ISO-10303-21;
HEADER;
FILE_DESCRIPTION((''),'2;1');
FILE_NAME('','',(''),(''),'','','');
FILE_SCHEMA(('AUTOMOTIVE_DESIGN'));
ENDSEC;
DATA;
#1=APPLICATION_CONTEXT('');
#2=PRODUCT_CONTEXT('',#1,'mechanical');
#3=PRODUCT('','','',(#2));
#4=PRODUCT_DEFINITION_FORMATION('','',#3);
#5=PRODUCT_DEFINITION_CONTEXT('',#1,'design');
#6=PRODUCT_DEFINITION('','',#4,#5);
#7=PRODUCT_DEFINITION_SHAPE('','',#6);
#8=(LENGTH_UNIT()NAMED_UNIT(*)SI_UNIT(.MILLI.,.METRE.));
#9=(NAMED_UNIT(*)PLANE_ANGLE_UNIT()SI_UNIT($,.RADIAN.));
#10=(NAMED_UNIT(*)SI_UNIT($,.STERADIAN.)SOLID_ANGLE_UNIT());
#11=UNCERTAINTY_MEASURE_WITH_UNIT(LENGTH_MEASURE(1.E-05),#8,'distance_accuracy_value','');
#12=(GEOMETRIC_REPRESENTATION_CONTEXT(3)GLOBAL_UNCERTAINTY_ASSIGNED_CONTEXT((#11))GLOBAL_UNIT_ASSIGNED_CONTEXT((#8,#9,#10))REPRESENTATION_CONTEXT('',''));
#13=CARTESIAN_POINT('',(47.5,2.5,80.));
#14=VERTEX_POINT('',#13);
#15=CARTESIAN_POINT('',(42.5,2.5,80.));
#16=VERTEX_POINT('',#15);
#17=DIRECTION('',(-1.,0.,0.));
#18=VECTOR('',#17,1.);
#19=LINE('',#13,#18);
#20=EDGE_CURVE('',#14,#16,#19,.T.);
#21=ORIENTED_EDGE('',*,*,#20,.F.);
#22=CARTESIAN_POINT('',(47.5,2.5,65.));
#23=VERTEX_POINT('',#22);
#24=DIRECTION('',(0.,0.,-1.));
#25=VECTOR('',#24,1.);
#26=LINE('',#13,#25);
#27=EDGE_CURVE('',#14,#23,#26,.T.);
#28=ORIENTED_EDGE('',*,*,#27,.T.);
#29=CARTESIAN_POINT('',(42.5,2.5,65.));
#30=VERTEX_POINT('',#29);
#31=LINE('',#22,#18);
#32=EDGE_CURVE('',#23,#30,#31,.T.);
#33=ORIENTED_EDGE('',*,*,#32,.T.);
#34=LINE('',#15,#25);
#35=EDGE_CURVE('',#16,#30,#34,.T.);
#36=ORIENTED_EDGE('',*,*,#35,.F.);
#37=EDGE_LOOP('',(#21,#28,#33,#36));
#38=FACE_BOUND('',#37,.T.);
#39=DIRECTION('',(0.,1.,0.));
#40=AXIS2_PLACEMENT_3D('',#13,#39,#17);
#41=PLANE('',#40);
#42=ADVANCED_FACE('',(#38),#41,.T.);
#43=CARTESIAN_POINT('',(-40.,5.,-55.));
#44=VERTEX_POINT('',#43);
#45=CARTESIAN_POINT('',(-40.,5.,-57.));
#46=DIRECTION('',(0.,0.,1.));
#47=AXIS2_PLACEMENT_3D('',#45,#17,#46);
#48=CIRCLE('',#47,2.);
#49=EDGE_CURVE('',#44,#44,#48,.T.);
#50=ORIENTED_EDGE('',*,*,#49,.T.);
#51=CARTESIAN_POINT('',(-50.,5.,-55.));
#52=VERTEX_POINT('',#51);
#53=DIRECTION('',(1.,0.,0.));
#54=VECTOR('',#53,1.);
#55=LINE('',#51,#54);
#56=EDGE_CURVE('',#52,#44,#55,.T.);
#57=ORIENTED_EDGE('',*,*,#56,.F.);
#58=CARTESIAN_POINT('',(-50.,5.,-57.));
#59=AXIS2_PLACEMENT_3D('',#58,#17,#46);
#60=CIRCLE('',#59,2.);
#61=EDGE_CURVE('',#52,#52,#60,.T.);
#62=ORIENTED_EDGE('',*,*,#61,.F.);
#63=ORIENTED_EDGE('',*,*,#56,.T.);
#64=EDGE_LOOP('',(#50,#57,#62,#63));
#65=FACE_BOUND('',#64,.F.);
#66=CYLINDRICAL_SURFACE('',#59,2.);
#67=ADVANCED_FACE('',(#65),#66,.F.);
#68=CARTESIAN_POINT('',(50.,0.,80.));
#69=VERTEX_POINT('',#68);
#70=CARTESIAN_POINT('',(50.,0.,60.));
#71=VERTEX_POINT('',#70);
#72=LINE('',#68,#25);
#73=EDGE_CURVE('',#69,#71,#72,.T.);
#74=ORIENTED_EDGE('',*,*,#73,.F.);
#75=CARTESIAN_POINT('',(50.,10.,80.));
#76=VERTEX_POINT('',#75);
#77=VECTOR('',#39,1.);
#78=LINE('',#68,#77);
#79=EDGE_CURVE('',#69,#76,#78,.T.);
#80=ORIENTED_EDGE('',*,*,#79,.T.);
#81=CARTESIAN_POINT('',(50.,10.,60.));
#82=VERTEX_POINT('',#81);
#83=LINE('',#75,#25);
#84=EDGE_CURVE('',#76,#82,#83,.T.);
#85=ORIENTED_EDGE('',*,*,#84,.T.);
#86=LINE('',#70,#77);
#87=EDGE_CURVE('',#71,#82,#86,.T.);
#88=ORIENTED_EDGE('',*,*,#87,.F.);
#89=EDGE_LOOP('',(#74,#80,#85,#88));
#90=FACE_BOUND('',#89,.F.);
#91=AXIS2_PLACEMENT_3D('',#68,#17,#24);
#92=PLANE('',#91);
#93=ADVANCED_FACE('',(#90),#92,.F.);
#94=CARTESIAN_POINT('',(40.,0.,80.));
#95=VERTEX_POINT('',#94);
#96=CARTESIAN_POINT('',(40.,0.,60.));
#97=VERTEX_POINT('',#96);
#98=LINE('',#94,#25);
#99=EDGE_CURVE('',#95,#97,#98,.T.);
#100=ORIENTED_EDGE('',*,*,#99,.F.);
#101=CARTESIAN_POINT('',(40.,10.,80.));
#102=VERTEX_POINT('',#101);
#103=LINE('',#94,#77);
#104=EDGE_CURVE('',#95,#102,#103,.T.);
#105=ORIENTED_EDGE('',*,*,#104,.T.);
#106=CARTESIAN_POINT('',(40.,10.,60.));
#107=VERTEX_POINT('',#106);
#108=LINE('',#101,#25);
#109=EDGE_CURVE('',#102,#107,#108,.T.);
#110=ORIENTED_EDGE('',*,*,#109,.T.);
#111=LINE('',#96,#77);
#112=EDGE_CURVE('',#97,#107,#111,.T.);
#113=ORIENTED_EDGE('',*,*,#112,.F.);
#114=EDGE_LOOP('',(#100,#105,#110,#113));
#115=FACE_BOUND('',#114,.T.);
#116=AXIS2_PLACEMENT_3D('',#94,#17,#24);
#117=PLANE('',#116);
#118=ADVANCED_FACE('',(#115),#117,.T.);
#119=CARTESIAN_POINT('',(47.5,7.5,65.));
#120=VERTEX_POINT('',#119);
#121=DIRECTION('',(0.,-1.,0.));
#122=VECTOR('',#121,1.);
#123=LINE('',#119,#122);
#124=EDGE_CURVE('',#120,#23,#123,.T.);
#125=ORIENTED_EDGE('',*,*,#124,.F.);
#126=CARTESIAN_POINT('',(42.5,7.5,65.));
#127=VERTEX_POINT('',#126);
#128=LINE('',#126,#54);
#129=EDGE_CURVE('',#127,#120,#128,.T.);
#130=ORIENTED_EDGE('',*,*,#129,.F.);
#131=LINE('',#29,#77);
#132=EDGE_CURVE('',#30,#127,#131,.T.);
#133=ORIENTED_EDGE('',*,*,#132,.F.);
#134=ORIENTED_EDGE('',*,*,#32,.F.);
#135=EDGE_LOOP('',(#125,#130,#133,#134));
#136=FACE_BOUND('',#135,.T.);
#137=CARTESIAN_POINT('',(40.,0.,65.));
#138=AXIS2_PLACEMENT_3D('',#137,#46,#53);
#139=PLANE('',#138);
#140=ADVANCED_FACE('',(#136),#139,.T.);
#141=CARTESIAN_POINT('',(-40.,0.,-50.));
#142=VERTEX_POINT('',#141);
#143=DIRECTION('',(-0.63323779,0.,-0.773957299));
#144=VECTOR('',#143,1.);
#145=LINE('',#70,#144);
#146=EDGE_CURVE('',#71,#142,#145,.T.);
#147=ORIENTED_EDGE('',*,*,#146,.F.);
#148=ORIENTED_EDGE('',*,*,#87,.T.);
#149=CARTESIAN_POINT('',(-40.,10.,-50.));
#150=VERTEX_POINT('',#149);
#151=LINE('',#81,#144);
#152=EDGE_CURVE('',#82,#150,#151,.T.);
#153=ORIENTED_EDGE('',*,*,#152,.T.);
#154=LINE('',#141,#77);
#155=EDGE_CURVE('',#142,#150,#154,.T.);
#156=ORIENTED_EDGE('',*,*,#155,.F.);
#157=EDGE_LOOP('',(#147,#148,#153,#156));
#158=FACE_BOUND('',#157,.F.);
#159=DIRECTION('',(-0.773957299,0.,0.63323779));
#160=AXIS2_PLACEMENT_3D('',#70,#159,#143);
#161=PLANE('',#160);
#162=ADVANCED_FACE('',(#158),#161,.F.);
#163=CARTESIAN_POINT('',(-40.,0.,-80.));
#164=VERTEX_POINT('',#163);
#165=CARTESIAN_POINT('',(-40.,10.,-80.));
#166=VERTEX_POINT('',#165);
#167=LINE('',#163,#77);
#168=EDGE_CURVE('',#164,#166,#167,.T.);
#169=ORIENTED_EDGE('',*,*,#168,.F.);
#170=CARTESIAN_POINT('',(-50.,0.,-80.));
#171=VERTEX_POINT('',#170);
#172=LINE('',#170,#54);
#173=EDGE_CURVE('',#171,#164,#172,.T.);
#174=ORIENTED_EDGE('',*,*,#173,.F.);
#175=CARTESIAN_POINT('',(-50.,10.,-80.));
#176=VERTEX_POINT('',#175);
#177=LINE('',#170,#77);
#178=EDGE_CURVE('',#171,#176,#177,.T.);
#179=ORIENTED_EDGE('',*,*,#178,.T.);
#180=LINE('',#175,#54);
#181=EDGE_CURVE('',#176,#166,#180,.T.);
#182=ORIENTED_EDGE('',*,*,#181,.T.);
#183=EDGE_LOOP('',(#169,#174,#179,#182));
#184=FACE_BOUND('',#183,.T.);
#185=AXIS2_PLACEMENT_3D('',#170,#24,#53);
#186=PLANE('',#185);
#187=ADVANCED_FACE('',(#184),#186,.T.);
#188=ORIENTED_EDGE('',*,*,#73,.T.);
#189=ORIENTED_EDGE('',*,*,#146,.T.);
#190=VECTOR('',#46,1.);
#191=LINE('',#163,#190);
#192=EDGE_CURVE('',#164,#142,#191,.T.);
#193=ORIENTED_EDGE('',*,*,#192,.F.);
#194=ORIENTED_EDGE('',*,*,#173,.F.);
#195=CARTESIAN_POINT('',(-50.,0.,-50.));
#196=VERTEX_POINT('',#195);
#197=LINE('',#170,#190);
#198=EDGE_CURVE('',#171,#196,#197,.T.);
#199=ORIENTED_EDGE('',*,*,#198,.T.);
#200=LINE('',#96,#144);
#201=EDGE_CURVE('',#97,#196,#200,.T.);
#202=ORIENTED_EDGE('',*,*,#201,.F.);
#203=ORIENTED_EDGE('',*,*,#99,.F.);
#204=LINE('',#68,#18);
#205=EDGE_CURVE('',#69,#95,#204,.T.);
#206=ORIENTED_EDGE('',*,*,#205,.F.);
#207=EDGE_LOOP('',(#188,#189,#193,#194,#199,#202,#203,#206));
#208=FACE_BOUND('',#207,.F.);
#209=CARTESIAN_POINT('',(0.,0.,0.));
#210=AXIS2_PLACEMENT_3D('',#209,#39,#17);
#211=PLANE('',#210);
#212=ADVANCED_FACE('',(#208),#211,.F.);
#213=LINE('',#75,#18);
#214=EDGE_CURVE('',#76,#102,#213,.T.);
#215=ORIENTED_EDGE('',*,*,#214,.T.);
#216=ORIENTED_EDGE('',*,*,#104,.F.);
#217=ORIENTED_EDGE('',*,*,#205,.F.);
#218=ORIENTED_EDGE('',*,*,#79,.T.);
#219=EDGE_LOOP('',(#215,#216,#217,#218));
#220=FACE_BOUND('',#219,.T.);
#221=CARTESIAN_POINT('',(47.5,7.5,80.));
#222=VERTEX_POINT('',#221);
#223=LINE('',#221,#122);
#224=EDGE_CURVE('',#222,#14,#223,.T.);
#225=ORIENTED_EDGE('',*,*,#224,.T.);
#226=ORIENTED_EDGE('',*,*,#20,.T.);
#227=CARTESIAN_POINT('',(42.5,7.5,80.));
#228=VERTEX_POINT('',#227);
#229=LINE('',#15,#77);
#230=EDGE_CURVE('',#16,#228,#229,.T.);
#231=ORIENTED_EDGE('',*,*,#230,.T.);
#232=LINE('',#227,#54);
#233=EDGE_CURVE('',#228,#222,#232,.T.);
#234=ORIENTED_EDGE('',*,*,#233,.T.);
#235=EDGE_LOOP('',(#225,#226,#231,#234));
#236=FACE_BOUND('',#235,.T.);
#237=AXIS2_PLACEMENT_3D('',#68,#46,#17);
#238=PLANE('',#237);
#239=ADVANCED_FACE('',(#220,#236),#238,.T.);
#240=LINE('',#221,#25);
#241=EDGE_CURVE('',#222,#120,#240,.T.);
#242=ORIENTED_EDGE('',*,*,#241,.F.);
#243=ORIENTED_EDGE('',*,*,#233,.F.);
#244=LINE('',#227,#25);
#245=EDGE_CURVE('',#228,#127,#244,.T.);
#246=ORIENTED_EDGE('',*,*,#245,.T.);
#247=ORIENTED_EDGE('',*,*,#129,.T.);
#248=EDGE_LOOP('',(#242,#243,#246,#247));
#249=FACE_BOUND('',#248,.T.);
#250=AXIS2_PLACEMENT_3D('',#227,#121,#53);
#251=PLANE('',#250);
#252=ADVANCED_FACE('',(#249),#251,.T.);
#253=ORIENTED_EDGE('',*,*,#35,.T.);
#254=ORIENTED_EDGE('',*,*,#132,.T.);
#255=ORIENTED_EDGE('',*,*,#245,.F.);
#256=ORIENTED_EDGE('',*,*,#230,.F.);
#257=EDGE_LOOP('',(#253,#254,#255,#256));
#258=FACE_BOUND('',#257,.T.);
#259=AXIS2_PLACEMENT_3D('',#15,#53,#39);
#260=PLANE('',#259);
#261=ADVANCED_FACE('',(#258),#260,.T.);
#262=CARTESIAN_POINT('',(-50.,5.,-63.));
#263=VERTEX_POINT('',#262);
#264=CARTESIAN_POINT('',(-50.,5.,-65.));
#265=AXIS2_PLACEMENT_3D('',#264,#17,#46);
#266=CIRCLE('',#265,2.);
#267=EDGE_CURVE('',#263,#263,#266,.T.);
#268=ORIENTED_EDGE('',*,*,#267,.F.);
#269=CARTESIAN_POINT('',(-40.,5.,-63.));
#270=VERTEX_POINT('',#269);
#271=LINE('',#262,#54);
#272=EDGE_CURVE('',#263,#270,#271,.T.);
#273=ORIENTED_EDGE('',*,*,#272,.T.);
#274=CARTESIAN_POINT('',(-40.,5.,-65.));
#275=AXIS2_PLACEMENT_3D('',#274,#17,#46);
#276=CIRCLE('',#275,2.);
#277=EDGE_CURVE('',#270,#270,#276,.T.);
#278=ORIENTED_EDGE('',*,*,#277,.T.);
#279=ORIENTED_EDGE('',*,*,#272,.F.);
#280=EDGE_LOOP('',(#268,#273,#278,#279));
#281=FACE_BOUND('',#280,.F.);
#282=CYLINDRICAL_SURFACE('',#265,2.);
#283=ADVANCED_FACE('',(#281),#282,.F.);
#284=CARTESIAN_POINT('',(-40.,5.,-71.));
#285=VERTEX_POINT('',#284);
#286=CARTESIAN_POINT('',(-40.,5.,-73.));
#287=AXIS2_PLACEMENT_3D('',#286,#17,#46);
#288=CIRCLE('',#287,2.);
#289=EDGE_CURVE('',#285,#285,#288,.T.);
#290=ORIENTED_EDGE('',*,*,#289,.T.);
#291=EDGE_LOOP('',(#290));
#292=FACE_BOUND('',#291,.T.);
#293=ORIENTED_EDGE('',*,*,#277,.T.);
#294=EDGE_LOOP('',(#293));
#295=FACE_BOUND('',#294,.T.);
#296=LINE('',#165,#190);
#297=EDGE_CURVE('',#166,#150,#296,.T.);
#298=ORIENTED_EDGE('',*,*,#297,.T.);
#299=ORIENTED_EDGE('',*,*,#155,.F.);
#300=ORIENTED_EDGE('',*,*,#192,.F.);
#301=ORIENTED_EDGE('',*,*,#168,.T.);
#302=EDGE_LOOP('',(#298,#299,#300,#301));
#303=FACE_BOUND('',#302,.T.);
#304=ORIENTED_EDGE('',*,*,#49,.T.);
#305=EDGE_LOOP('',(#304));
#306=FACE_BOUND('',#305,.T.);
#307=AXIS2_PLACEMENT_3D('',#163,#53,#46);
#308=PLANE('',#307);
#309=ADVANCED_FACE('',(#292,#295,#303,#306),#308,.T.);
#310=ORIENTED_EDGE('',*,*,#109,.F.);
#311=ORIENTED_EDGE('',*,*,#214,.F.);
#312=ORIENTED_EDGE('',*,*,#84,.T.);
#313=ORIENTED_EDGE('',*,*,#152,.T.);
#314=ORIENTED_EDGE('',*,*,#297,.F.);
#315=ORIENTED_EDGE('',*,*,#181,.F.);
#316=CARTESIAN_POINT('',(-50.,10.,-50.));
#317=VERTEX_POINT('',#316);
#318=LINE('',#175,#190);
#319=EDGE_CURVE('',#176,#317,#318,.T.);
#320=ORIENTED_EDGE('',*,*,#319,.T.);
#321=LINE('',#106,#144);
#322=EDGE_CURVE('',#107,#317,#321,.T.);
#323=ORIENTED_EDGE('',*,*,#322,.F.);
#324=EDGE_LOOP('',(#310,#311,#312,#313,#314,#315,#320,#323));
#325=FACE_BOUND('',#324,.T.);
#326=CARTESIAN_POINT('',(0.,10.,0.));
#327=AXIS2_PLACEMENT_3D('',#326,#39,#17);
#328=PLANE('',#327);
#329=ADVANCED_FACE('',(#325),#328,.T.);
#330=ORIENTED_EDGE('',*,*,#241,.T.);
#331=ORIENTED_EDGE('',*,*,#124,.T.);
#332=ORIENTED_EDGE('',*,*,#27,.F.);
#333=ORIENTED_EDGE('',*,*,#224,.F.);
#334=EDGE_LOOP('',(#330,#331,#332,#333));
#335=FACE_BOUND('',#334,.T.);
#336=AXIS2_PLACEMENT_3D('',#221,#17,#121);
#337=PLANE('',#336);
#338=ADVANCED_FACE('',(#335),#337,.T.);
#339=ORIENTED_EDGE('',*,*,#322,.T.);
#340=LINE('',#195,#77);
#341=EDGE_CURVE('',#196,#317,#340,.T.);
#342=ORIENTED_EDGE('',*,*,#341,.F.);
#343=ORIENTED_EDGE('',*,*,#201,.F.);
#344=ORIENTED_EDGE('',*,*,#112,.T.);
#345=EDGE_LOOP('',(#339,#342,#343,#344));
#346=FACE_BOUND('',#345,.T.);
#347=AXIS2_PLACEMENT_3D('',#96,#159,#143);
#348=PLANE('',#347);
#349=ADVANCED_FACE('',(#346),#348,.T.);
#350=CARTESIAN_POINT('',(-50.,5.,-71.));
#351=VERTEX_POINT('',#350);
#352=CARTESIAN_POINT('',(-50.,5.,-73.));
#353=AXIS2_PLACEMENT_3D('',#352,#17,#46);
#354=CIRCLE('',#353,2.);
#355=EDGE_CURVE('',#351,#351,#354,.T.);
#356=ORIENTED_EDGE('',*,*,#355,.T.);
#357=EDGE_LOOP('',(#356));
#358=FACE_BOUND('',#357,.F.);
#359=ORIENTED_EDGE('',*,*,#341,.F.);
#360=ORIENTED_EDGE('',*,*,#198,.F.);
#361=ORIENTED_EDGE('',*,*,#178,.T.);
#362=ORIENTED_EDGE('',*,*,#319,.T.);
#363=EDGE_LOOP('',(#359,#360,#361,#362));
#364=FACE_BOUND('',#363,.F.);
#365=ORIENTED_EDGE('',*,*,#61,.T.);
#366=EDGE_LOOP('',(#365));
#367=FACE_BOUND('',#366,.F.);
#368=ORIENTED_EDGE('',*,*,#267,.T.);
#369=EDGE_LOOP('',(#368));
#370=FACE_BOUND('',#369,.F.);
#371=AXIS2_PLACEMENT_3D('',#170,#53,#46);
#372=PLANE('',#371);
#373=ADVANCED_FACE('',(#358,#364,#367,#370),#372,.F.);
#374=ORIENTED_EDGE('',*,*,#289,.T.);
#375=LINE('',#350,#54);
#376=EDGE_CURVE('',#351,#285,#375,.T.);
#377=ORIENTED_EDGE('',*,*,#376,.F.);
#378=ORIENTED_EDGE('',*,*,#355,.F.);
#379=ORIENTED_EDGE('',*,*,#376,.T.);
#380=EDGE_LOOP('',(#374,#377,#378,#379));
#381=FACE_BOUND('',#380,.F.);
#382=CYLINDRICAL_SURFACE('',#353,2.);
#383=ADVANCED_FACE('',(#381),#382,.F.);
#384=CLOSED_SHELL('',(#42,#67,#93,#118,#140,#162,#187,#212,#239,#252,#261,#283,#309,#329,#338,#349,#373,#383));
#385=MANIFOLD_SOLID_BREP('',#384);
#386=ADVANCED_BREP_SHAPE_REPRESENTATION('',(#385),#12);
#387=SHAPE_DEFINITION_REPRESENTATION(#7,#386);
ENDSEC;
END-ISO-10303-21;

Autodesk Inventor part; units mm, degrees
ref_plane "YZ Plane" through (0, 0, 0) normal (1, 0, 0) x (0, 1, 0)
ref_plane "XZ Plane" through (0, 0, 0) normal (0, 1, 0) x (-1, 0, 0)
ref_plane "XY Plane" through (0, 0, 0) normal (0, 0, 1) x (1, 0, 0)
sketch "Sketch1" plane through (0, 0, 0) normal (0, 1, 0) x (-1, 0, 0)
  line L0 (50, 80) -> (-50, 80) construction
  line L1 (-50, 80) -> (-50, -80) construction
  line L2 (-50, -80) -> (50, -80) construction
  line L3 (50, -80) -> (50, 80) construction
  line L4 (50, -80) -> (40, -80)
  line L5 (40, -80) -> (40, -50)
  line L6 (50, -80) -> (50, -50)
  line L7 (-50, 80) -> (-50, 60)
  line L8 (-50, 80) -> (-40, 80)
  line L9 (-40, 80) -> (-40, 60)
  line L10 (-40, 60) -> (50, -50)
  line L11 (-50, 60) -> (40, -50)
  point P0 (0, 0)
  point P1 (50, 0)
  point P2 (0, -80)
  dimension "d0" = 160
  dimension "d1" = 100
  dimension "d2" = 10
  dimension "d3" = 30
  dimension "d4" = 20
  dimension "d5" = 10
extrude "Extrusion1" add sketch "Sketch1" along normal blind 10
sketch "Sketch2" plane through (40, 0, 80) normal (0, 0, 1) x (1, 0, 0)
  line L0 (-90, 0) -> (0, 0) construction
  line L1 (10, 10) -> (-80, 10) construction
  line L2 (0, 0) -> (10, 10) construction
  line L3 (2.5, 7.5) -> (7.5, 7.5)
  line L4 (7.5, 7.5) -> (7.5, 2.5)
  line L5 (7.5, 2.5) -> (2.5, 2.5)
  line L6 (2.5, 2.5) -> (2.5, 7.5)
  line L7 (2.5, 7.5) -> (7.5, 2.5) construction
  line L8 (7.5, 7.5) -> (2.5, 2.5) construction
  point P0 (-40, 0)
  point P1 (5, 5)
  dimension "d8" = 5
  dimension "d9" = 5
extrude "Extrusion2" cut sketch "Sketch2" against normal blind 15
sketch "Sketch3" plane through (-50, 0, -80) normal (-1, 0, 0) x (0, 0, 1)
  line L0 (30, 0) -> (30, 10) construction
  line L1 (30, 5) -> (0, 5) construction
  line L2 (0, 0) -> (0, 10) construction
  line L3 (15, 5) -> (7, 5) construction
  line L4 (15, 5) -> (23, 5) construction
  circle A0 centre (7, 5) radius 2
  circle A1 centre (15, 5) radius 2
  circle A2 centre (23, 5) radius 2
  point P0 (80, 0)
  dimension "d12" = 8
  dimension "d13" = 8
  dimension "d14" = 4
  dimension "d15" = 4
  dimension "d16" = 4
extrude "Extrusion3" cut sketch "Sketch3" against normal blind 15
properties part number "Arm"
